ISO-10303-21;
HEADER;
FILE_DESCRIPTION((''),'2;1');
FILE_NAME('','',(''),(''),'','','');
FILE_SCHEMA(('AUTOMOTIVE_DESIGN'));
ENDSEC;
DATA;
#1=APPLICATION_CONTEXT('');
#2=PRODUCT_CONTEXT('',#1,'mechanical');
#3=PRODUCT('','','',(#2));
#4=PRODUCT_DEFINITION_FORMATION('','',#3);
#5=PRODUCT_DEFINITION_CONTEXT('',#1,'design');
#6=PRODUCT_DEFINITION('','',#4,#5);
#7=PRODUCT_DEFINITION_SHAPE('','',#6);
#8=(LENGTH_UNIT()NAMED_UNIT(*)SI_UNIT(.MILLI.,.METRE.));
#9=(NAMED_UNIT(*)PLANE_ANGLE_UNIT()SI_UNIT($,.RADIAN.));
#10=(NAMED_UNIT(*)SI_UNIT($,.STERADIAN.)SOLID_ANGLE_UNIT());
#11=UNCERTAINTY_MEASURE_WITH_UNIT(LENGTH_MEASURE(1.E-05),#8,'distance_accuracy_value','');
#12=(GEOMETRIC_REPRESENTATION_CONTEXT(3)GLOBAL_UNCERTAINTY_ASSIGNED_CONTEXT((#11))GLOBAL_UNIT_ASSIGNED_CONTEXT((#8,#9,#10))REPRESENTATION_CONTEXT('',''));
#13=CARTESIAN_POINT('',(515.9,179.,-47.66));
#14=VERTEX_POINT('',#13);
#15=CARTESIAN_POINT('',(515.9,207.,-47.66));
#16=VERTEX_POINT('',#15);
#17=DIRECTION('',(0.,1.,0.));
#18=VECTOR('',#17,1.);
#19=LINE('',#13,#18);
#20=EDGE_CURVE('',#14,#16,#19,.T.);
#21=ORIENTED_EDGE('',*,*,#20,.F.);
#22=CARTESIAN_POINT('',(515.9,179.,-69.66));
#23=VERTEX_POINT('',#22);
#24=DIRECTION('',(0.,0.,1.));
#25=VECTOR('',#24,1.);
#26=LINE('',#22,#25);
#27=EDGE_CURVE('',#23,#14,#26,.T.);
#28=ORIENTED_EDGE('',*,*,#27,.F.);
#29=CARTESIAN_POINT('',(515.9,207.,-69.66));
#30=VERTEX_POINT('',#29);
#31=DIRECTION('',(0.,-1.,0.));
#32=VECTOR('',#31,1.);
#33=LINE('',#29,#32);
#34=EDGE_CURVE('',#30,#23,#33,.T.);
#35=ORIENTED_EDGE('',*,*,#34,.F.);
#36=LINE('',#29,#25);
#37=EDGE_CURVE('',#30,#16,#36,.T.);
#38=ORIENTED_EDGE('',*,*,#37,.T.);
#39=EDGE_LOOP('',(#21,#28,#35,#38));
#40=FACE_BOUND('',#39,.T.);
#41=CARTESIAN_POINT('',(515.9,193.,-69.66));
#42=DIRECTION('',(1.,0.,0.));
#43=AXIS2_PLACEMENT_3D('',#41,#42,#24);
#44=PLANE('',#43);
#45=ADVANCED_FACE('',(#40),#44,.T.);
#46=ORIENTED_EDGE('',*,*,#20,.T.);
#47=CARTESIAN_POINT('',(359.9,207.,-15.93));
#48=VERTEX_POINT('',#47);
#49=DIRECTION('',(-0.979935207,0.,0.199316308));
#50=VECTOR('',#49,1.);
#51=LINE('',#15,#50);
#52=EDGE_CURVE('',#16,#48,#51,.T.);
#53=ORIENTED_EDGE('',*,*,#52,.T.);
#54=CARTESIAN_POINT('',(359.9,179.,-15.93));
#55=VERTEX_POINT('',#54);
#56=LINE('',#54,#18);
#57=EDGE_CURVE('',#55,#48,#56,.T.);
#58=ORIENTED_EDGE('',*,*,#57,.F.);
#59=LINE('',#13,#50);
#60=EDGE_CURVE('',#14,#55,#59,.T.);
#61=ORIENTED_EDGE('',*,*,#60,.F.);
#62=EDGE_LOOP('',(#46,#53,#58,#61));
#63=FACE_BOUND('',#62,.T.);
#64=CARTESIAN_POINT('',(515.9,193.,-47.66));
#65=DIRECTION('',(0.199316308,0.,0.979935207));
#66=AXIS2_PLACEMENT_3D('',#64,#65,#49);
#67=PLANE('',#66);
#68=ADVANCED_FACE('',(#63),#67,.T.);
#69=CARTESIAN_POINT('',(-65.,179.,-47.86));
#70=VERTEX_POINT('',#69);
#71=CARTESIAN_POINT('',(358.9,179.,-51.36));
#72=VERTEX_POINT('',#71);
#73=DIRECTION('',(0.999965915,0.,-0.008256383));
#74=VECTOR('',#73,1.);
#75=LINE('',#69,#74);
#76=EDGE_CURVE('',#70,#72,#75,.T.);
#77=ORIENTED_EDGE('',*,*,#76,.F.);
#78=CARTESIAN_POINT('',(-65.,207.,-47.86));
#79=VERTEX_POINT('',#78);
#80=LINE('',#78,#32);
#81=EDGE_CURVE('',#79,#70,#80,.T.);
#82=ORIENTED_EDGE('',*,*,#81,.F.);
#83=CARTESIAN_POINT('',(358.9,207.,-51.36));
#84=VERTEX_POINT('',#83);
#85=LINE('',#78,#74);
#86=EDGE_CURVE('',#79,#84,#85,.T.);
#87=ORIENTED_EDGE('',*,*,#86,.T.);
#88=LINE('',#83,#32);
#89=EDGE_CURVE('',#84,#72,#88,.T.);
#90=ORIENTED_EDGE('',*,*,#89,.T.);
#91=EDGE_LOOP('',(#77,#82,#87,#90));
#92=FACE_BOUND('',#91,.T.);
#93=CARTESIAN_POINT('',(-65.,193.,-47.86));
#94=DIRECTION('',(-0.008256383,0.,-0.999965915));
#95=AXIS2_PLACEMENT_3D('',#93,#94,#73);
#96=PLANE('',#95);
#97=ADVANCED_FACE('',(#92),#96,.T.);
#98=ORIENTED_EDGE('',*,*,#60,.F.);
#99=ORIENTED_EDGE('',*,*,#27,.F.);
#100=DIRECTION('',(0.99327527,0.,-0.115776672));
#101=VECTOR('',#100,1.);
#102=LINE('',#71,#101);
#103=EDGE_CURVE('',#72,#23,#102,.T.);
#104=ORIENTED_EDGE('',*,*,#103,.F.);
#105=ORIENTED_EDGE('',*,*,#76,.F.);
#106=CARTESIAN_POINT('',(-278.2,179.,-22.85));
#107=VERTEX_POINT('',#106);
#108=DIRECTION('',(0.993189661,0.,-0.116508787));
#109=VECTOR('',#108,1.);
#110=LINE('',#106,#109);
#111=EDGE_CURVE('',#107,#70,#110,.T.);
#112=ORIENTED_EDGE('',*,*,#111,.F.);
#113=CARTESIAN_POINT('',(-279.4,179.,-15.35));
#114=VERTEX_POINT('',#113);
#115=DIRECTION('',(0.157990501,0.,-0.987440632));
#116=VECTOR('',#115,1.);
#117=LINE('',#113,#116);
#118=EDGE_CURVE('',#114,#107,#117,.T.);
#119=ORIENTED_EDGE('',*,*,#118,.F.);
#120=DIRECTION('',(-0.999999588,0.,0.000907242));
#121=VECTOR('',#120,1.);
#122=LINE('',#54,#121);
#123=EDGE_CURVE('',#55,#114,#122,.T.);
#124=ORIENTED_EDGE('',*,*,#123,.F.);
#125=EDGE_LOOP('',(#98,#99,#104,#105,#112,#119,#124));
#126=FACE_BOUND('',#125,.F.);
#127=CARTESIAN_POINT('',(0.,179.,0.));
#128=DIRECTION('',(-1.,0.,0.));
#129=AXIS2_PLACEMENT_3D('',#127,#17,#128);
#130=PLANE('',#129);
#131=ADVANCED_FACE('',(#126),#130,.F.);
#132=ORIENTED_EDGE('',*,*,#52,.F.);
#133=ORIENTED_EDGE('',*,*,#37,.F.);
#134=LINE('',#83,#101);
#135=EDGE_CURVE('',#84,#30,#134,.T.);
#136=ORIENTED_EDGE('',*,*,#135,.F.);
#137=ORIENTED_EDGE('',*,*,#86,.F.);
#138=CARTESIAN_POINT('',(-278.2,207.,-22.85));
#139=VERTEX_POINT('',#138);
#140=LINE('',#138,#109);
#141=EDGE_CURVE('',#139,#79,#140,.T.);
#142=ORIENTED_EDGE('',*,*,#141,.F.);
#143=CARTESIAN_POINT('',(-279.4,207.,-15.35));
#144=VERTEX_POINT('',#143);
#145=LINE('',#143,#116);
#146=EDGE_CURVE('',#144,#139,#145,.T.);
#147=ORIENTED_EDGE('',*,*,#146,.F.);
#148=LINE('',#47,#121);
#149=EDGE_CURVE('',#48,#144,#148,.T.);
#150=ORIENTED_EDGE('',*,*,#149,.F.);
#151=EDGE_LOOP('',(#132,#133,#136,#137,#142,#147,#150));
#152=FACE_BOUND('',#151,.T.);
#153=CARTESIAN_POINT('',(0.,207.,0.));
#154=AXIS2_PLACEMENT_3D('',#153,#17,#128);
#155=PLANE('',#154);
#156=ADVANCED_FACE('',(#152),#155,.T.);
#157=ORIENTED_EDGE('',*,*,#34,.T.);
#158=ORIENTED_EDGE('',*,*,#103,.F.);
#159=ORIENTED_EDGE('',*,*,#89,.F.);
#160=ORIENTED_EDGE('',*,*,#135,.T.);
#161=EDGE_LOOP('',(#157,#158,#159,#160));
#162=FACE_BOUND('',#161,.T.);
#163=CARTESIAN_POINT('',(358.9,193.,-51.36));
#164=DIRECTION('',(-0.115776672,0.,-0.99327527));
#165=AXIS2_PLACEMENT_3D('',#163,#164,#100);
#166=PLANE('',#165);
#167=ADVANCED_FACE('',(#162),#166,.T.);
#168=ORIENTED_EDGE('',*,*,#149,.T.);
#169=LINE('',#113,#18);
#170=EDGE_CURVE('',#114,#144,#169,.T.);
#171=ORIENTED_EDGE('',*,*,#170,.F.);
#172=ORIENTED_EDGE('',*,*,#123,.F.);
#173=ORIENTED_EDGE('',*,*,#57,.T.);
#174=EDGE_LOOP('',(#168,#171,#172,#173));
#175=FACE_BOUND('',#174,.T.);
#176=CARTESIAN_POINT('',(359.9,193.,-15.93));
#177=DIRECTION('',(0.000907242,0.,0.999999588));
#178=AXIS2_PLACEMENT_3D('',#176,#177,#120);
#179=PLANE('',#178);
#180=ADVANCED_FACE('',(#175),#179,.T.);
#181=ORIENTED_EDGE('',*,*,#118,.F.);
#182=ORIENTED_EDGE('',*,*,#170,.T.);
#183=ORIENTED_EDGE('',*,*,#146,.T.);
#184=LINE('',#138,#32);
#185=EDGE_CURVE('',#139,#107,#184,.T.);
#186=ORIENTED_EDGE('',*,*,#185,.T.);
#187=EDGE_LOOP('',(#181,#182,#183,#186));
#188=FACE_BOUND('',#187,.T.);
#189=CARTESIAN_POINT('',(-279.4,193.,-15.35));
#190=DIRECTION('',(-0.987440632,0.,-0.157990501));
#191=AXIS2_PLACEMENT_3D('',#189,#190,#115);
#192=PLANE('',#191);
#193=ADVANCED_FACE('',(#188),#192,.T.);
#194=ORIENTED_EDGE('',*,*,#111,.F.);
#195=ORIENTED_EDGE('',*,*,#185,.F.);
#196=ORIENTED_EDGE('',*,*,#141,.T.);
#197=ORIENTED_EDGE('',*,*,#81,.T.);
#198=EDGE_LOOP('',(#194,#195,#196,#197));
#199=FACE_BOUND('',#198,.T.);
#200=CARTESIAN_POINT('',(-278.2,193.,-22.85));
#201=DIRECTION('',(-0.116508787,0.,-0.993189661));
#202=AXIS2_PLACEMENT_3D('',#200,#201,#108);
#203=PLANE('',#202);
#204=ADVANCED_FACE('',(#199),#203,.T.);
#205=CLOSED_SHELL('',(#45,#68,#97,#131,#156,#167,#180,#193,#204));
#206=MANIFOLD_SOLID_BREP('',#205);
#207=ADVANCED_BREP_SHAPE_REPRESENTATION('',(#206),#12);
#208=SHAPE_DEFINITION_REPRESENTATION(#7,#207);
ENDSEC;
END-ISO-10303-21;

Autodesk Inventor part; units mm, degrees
ref_plane "YZ Plane" through (0, 0, 0) normal (1, 0, 0) x (0, 1, 0)
ref_plane "XY Plane" through (0, 0, 0) normal (0, 0, 1) x (1, 0, 0)
ref_plane "Work Plane1" through (0, 193, 0) normal (0, 1, 0) x (-1, 0, 0)
sketch "Sketch1" plane through (0, 193, 0) normal (0, 1, 0) x (-1, 0, 0)
  line L0 (0, -83.592) -> (0, 13.932) construction
  line L1 (438.46, 0) -> (-674.96, 0) construction
  line L2 (279.4, -15.35) -> (278.2, -22.85)
  line L3 (278.2, -22.85) -> (65, -47.86)
  line L4 (65, -47.86) -> (-358.9, -51.36)
  line L5 (-358.9, -51.36) -> (-515.9, -69.66)
  line L6 (-515.9, -69.66) -> (-515.9, -47.66)
  line L7 (-515.9, -47.66) -> (-359.9, -15.93)
  line L8 (-359.9, -15.93) -> (279.4, -15.35)
  point P0 (0, 0)
  dimension "d1" = 22.85
  dimension "d2" = 47.86
  dimension "d3" = 15.35
  dimension "d4" = 279.4
  dimension "d5" = 278.2
  dimension "d6" = 65
  dimension "d7" = 51.36
  dimension "d8" = 69.66
  dimension "d9" = 47.66
  dimension "d10" = 15.93
  dimension "d11" = 515.9
  dimension "d12" = 515.9
  dimension "d13" = 358.9
  dimension "d14" = 359.9
extrude "Extrusion1" add sketch "Sketch1" along normal mid plane 28
properties part number "Friend_sideskirt_collision"
